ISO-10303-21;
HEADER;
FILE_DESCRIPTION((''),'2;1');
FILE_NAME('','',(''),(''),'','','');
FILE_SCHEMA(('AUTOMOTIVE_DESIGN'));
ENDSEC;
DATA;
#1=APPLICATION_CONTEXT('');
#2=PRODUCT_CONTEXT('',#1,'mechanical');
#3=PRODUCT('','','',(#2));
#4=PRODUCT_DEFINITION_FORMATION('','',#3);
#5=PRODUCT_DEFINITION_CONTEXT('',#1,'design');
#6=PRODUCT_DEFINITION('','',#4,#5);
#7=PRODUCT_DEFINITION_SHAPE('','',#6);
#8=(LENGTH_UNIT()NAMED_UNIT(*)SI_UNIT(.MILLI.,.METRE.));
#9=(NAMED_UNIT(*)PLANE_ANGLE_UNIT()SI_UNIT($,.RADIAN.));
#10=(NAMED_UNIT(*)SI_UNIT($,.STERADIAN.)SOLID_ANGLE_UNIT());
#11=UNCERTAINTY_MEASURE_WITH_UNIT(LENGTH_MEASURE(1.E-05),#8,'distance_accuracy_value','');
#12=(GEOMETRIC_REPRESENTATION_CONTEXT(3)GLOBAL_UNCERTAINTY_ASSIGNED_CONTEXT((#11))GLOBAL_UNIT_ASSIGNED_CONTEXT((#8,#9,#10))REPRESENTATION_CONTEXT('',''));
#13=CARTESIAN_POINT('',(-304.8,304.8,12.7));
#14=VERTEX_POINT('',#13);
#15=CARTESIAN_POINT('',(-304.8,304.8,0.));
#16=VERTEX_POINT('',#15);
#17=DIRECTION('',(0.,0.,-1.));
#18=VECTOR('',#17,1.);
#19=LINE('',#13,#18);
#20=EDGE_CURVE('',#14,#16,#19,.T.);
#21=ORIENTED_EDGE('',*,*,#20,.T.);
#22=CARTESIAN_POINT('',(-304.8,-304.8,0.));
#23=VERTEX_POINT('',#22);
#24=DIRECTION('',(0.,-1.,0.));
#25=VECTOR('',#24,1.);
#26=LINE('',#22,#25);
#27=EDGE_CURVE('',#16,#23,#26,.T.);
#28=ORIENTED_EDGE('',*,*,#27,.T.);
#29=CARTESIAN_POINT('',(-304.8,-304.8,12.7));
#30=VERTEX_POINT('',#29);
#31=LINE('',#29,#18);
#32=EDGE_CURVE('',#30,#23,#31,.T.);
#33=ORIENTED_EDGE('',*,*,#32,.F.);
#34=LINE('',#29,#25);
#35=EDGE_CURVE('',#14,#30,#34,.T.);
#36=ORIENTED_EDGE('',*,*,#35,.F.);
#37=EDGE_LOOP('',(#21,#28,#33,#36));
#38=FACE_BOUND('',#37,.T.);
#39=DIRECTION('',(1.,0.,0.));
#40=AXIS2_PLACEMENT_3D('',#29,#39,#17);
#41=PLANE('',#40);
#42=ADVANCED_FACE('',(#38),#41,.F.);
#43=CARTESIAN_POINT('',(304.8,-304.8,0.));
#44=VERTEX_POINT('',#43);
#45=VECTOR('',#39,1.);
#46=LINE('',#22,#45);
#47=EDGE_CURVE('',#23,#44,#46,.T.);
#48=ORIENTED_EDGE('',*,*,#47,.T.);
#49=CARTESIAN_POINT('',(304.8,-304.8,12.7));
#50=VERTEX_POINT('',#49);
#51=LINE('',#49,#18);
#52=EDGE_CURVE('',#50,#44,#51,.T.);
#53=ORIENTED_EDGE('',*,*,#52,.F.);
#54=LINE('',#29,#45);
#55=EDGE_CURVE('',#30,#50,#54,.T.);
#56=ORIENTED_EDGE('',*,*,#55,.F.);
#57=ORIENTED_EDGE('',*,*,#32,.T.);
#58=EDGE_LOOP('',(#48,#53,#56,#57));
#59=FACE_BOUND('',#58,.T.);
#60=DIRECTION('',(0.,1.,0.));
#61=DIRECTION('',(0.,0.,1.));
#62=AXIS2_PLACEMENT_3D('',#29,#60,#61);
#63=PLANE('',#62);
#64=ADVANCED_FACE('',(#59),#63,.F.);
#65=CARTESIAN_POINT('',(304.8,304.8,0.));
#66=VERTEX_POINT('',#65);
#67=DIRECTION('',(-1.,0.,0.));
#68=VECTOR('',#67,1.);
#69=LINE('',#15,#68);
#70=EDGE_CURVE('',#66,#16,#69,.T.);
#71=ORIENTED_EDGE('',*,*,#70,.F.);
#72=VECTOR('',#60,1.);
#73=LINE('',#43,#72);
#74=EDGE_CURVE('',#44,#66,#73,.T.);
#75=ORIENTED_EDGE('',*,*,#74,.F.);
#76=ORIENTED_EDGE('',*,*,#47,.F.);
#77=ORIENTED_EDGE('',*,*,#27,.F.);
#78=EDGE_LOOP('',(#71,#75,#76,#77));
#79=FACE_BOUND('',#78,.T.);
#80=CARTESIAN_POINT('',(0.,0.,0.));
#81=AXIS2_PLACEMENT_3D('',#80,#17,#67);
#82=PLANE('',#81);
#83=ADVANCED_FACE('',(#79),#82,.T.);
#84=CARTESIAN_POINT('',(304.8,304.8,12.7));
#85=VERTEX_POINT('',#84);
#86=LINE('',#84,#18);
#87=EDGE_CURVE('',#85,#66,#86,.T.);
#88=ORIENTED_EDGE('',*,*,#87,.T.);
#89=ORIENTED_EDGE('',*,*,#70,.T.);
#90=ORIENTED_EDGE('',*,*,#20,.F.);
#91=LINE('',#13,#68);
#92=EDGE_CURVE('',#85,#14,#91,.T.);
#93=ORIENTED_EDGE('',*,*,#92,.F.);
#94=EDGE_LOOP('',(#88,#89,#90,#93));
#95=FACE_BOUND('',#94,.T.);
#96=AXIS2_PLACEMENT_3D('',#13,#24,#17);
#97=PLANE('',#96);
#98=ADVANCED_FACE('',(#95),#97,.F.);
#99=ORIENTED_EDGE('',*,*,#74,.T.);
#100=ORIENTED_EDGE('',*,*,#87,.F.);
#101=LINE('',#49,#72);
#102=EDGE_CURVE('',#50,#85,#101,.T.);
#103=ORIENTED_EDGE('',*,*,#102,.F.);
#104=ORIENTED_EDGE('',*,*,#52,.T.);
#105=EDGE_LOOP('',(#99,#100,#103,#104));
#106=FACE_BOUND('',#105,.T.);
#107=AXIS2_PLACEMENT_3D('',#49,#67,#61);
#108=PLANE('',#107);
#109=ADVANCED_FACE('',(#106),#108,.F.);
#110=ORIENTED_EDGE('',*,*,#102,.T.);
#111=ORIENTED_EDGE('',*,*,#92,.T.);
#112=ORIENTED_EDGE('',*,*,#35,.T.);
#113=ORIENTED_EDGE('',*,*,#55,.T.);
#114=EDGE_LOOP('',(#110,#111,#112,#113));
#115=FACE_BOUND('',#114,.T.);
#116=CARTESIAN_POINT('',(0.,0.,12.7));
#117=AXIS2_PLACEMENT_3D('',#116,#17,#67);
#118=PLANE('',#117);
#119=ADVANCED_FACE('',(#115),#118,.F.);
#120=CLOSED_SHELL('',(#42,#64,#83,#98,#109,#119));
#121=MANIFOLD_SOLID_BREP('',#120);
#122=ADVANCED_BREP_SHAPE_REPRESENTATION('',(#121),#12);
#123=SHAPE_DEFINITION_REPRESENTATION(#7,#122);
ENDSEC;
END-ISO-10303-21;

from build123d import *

# Parameters (mm, degrees)
SKETCH1_W           = 609.6
SKETCH1_H           = 609.6
BOSS_EXTRUDE1_DEPTH = 12.7


with BuildPart() as part:
    # Sketch1 → Boss-Extrude1 (new body)
    with BuildSketch(Plane.XY):
        Rectangle(SKETCH1_W, SKETCH1_H)
    extrude(amount=BOSS_EXTRUDE1_DEPTH)


solid = part.part
